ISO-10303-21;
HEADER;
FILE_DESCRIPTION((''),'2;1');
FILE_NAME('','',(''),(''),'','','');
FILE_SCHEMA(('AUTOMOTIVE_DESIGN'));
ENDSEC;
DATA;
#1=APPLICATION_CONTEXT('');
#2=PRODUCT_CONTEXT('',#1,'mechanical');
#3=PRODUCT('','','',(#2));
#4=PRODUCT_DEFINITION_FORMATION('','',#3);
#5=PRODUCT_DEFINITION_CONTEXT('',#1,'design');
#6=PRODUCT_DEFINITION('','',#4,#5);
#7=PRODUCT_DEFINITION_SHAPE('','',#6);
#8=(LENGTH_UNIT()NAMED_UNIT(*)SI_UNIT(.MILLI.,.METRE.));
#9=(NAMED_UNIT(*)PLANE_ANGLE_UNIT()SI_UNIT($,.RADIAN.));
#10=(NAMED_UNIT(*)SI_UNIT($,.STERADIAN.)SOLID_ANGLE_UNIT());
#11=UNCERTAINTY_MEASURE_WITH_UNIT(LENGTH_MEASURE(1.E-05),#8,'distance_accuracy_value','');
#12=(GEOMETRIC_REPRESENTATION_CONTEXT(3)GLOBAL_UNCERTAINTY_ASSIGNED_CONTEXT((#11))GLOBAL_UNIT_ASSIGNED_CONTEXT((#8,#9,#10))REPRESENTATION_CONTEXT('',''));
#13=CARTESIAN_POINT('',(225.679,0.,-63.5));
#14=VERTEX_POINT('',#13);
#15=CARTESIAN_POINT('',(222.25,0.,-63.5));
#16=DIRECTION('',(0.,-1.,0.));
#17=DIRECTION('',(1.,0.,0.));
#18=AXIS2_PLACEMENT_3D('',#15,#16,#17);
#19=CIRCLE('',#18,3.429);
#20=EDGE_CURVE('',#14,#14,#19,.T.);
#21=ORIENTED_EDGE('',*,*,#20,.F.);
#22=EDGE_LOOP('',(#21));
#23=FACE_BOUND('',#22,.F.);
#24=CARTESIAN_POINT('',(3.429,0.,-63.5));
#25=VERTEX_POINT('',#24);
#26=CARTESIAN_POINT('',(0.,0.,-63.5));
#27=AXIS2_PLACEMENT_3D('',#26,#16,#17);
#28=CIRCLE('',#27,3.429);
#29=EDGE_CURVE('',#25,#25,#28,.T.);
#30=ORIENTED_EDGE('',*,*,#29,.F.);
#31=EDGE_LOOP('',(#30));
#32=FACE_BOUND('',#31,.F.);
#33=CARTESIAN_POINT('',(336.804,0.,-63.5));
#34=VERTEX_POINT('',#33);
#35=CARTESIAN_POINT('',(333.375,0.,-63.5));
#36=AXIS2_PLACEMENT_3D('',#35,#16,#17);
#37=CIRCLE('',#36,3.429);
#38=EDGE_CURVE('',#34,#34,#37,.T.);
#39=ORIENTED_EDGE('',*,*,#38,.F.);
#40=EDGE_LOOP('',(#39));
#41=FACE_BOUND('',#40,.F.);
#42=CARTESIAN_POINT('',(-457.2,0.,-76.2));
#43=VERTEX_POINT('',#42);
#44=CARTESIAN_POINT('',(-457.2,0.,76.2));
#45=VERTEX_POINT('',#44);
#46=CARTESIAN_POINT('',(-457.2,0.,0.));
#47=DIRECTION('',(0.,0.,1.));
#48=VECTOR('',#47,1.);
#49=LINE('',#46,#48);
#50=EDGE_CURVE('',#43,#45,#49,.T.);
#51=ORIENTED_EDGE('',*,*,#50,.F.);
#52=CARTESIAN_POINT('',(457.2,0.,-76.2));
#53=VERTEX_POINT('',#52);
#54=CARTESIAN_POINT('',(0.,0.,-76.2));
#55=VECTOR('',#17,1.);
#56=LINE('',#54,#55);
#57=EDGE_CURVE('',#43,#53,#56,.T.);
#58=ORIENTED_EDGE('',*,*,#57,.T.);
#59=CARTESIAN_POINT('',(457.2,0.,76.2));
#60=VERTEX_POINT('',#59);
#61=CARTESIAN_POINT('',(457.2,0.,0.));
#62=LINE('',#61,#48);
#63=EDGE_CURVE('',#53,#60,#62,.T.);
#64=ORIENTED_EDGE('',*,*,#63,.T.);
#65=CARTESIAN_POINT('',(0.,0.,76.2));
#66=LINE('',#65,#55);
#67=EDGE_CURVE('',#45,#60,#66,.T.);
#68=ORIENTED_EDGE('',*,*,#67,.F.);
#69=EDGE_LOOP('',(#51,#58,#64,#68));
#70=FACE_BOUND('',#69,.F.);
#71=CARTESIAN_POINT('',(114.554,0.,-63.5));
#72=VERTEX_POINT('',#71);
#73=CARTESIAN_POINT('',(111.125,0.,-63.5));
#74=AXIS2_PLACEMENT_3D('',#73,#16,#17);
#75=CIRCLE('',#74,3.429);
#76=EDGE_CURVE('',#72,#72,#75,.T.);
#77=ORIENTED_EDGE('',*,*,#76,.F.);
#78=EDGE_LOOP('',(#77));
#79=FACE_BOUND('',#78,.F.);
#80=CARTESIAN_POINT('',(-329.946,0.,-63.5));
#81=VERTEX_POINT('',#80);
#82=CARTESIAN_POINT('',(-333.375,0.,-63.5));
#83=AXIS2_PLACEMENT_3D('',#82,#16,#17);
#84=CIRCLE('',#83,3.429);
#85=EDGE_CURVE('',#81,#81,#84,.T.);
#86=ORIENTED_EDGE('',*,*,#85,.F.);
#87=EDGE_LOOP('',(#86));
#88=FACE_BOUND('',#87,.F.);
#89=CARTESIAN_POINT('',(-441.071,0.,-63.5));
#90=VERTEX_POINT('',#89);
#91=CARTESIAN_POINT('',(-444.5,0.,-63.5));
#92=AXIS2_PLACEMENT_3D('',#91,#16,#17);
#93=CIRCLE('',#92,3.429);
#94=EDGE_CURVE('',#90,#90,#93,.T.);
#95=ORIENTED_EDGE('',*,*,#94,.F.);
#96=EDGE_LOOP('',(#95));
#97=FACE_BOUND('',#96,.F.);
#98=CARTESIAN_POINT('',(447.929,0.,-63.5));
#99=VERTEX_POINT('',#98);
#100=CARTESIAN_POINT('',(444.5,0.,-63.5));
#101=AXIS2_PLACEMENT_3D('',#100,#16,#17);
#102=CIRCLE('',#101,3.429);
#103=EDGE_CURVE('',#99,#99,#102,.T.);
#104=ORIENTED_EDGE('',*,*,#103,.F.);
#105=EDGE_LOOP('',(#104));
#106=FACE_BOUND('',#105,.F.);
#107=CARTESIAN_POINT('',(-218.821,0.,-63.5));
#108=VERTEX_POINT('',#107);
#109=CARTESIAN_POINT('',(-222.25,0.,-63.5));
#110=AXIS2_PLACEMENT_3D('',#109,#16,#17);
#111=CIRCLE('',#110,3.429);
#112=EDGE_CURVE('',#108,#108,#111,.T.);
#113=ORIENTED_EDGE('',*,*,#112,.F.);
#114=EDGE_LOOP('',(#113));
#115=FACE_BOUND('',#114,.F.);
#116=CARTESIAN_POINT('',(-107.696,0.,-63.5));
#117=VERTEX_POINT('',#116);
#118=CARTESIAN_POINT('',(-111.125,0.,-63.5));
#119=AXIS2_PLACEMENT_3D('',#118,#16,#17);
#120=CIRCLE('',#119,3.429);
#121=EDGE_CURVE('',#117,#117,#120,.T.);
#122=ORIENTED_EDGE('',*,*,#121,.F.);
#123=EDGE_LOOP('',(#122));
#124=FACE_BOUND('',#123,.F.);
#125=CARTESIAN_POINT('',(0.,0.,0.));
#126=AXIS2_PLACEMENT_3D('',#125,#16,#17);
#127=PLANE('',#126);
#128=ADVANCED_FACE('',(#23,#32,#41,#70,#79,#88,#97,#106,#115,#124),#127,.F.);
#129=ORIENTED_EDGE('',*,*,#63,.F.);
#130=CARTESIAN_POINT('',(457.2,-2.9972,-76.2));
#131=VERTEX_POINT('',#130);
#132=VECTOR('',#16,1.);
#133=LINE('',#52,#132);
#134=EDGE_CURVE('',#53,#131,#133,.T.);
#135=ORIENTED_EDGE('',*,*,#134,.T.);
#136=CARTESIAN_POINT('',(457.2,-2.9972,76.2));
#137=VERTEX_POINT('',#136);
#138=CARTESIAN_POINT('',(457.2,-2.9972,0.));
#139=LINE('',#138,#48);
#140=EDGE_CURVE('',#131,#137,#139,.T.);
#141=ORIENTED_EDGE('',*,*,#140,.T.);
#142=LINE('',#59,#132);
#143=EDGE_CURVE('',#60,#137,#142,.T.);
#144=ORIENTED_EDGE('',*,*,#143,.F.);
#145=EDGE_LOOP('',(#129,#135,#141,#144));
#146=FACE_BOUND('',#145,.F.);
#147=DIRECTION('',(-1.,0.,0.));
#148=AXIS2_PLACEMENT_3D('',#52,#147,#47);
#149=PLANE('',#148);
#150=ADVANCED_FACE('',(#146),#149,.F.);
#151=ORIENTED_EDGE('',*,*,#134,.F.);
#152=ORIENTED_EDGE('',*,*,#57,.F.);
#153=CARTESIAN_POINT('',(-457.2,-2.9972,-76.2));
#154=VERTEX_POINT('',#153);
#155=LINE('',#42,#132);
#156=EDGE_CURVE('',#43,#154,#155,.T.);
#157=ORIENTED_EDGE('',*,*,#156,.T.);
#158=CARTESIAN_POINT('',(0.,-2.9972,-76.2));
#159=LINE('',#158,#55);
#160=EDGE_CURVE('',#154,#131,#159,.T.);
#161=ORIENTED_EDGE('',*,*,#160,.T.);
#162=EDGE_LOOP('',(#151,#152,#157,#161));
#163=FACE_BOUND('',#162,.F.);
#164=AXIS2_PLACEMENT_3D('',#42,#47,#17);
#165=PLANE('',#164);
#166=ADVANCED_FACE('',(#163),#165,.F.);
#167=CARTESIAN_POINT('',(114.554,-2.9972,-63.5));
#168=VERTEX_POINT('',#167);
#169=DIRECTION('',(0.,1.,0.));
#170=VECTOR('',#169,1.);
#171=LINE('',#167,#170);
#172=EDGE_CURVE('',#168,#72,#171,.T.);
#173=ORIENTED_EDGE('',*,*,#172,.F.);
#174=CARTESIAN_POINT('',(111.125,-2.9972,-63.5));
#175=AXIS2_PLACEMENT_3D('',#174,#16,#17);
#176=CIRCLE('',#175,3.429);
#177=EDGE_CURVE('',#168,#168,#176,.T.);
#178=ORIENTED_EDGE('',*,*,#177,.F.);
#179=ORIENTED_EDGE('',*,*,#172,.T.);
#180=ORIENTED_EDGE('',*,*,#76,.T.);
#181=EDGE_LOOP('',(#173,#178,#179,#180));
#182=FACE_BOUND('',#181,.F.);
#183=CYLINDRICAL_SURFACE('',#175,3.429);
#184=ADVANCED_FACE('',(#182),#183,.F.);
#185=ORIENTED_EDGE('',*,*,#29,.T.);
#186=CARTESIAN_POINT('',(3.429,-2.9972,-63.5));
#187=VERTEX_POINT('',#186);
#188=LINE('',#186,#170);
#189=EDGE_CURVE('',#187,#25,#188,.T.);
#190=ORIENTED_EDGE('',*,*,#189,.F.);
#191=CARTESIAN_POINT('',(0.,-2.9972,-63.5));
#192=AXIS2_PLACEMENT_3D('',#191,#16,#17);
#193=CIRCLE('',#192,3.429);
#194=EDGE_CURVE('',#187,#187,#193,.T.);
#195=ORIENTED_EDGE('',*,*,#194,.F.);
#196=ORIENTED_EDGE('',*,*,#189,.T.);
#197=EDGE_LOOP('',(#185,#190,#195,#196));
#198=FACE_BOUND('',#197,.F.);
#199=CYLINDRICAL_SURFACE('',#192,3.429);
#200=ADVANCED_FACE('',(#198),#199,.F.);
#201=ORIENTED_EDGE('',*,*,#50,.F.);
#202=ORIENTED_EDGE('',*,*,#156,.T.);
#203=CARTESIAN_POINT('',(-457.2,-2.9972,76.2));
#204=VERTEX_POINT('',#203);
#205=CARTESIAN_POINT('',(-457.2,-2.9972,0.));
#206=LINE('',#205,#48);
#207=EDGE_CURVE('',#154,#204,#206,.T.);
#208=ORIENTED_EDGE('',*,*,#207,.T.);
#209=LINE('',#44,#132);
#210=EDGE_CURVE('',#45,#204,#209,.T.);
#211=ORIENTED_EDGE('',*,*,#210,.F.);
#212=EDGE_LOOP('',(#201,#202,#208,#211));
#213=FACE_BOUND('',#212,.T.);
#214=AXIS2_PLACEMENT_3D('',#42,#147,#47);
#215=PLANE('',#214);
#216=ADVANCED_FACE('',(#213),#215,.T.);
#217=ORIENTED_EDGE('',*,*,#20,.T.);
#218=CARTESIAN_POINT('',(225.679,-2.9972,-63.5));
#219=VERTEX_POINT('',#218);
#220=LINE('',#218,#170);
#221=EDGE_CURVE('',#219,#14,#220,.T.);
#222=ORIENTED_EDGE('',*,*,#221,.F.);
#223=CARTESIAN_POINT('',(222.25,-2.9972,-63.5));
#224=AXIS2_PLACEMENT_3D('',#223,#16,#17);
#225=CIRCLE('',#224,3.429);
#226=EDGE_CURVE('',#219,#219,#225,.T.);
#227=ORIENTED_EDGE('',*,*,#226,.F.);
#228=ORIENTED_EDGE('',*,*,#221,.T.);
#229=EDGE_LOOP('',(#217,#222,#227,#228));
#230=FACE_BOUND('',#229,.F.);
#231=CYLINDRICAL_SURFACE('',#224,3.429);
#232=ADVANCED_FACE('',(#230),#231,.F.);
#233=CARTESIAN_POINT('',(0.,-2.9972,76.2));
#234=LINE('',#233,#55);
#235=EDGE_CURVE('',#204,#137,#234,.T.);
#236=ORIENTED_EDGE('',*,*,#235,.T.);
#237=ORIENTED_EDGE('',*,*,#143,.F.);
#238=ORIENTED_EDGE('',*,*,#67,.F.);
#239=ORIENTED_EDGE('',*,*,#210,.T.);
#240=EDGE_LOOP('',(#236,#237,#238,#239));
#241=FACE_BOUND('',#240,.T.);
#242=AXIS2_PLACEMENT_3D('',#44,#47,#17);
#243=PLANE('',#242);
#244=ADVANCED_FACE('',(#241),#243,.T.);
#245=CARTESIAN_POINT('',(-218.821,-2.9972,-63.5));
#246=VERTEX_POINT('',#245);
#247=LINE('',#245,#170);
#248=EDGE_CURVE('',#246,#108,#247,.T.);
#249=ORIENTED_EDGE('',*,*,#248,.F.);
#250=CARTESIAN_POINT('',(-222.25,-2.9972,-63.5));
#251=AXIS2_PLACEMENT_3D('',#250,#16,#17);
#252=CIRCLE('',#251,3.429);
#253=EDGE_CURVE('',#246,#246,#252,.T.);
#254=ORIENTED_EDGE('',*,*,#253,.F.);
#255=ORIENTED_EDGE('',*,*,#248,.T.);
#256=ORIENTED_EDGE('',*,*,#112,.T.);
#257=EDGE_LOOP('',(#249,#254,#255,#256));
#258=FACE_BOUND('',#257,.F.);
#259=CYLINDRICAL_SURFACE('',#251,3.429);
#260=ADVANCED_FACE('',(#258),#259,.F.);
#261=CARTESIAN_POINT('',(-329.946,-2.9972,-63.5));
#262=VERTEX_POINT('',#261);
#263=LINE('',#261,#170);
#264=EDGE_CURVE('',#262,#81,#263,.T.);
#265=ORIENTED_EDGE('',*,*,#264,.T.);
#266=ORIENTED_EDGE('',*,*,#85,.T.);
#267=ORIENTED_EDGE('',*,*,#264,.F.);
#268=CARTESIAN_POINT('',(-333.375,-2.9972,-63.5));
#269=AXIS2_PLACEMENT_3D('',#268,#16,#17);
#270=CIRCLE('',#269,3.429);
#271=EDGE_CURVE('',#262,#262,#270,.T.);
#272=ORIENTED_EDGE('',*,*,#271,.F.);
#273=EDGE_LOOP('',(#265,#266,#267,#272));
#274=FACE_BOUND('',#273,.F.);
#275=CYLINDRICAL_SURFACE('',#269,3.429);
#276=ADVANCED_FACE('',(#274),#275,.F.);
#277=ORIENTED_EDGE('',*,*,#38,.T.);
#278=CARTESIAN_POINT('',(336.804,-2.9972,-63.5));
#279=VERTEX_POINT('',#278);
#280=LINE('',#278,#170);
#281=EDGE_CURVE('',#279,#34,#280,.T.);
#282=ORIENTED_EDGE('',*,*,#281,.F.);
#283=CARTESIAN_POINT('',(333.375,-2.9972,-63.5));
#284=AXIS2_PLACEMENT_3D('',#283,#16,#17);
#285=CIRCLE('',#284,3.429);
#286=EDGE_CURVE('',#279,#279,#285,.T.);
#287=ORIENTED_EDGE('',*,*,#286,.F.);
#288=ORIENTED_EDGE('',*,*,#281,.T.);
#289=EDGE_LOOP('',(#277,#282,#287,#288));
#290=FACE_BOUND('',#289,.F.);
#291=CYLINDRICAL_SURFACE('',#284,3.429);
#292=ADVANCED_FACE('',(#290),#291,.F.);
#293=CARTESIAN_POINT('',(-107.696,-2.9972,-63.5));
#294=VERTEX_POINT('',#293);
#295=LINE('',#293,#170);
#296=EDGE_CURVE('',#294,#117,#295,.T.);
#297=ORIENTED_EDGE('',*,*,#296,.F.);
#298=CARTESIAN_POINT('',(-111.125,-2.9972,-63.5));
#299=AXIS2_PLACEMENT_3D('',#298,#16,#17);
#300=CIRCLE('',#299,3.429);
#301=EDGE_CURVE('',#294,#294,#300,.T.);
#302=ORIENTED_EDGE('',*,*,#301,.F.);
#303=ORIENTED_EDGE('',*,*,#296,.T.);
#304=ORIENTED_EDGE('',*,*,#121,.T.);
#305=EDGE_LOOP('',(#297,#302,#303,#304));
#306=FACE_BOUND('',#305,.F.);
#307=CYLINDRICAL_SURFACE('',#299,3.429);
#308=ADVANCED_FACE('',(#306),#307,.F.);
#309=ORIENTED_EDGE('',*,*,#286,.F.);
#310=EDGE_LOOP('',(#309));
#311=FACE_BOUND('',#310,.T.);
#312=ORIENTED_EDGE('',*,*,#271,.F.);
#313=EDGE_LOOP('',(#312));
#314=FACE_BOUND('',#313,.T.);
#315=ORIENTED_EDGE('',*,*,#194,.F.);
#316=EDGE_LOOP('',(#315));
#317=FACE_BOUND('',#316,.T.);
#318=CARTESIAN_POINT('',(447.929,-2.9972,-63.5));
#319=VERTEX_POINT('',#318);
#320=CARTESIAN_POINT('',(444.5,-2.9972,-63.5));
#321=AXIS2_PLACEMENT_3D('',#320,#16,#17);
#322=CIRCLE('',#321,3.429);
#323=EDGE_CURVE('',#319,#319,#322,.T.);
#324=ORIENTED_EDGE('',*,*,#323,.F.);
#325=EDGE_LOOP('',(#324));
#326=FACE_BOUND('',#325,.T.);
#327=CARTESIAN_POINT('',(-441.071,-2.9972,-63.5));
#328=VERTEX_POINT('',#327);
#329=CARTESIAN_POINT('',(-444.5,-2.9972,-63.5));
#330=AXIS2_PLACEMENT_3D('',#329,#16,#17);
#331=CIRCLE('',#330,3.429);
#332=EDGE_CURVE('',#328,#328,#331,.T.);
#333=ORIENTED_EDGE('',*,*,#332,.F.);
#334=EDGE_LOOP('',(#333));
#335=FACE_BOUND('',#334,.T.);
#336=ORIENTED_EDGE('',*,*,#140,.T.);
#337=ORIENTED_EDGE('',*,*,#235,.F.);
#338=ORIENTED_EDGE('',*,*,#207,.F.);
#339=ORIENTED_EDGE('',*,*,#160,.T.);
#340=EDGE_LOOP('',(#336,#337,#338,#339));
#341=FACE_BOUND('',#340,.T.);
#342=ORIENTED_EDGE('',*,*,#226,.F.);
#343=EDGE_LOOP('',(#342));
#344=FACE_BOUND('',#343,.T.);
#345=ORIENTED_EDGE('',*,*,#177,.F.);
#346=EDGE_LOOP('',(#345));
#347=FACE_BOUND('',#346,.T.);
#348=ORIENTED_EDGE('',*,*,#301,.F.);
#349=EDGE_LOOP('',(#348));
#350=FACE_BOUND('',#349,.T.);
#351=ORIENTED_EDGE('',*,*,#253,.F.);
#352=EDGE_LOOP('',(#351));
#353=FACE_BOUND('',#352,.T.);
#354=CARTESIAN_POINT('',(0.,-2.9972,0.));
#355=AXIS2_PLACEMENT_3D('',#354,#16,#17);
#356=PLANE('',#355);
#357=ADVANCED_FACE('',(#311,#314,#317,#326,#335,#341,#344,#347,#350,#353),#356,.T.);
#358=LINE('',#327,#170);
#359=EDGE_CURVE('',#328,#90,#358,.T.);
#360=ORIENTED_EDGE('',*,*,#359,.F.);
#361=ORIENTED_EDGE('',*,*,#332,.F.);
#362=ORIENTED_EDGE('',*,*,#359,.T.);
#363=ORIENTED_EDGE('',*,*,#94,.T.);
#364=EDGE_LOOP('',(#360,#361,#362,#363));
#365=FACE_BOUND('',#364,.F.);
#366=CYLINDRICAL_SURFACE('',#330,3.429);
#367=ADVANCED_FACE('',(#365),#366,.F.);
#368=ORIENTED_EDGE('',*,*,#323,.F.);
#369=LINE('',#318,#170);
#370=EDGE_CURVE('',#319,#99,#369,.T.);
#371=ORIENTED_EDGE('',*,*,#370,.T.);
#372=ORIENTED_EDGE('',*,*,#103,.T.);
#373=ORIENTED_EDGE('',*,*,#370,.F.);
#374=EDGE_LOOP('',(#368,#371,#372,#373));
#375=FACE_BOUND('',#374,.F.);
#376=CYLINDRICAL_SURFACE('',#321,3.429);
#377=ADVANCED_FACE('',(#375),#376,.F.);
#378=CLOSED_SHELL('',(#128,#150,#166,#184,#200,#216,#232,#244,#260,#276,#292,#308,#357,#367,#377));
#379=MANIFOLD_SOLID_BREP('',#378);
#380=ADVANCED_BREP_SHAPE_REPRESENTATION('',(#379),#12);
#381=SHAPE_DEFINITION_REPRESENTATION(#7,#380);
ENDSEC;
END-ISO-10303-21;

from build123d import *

# Parameters (mm, degrees)
F0_W     = 914.4
F0_H     = 152.4
F1_DEPTH = 2.9972
F2_R     = 3.429
F3_DEPTH = 2.9982


with BuildPart() as f1:
    # F0 (on Front) → F1 (new body)
    with BuildSketch(Plane.XZ):
        Rectangle(F0_W, F0_H)
    extrude(amount=F1_DEPTH)

    # F2 (on face) → F3 (cut, through all)
    with BuildSketch(Plane.XZ.offset(2.9972)):
        with Locations((-444.5, -63.5)):
            Circle(F2_R)
        with Locations((-333.375, -63.5)):
            Circle(F2_R)
        with Locations((-222.25, -63.5)):
            Circle(F2_R)
        with Locations((-111.125, -63.5)):
            Circle(F2_R)
        with Locations((0, -63.5)):
            Circle(F2_R)
        with Locations((111.125, -63.5)):
            Circle(F2_R)
        with Locations((222.25, -63.5)):
            Circle(F2_R)
        with Locations((333.375, -63.5)):
            Circle(F2_R)
        with Locations((444.5, -63.5)):
            Circle(F2_R)
    extrude(amount=-F3_DEPTH, mode=Mode.SUBTRACT)


solid = f1.part
